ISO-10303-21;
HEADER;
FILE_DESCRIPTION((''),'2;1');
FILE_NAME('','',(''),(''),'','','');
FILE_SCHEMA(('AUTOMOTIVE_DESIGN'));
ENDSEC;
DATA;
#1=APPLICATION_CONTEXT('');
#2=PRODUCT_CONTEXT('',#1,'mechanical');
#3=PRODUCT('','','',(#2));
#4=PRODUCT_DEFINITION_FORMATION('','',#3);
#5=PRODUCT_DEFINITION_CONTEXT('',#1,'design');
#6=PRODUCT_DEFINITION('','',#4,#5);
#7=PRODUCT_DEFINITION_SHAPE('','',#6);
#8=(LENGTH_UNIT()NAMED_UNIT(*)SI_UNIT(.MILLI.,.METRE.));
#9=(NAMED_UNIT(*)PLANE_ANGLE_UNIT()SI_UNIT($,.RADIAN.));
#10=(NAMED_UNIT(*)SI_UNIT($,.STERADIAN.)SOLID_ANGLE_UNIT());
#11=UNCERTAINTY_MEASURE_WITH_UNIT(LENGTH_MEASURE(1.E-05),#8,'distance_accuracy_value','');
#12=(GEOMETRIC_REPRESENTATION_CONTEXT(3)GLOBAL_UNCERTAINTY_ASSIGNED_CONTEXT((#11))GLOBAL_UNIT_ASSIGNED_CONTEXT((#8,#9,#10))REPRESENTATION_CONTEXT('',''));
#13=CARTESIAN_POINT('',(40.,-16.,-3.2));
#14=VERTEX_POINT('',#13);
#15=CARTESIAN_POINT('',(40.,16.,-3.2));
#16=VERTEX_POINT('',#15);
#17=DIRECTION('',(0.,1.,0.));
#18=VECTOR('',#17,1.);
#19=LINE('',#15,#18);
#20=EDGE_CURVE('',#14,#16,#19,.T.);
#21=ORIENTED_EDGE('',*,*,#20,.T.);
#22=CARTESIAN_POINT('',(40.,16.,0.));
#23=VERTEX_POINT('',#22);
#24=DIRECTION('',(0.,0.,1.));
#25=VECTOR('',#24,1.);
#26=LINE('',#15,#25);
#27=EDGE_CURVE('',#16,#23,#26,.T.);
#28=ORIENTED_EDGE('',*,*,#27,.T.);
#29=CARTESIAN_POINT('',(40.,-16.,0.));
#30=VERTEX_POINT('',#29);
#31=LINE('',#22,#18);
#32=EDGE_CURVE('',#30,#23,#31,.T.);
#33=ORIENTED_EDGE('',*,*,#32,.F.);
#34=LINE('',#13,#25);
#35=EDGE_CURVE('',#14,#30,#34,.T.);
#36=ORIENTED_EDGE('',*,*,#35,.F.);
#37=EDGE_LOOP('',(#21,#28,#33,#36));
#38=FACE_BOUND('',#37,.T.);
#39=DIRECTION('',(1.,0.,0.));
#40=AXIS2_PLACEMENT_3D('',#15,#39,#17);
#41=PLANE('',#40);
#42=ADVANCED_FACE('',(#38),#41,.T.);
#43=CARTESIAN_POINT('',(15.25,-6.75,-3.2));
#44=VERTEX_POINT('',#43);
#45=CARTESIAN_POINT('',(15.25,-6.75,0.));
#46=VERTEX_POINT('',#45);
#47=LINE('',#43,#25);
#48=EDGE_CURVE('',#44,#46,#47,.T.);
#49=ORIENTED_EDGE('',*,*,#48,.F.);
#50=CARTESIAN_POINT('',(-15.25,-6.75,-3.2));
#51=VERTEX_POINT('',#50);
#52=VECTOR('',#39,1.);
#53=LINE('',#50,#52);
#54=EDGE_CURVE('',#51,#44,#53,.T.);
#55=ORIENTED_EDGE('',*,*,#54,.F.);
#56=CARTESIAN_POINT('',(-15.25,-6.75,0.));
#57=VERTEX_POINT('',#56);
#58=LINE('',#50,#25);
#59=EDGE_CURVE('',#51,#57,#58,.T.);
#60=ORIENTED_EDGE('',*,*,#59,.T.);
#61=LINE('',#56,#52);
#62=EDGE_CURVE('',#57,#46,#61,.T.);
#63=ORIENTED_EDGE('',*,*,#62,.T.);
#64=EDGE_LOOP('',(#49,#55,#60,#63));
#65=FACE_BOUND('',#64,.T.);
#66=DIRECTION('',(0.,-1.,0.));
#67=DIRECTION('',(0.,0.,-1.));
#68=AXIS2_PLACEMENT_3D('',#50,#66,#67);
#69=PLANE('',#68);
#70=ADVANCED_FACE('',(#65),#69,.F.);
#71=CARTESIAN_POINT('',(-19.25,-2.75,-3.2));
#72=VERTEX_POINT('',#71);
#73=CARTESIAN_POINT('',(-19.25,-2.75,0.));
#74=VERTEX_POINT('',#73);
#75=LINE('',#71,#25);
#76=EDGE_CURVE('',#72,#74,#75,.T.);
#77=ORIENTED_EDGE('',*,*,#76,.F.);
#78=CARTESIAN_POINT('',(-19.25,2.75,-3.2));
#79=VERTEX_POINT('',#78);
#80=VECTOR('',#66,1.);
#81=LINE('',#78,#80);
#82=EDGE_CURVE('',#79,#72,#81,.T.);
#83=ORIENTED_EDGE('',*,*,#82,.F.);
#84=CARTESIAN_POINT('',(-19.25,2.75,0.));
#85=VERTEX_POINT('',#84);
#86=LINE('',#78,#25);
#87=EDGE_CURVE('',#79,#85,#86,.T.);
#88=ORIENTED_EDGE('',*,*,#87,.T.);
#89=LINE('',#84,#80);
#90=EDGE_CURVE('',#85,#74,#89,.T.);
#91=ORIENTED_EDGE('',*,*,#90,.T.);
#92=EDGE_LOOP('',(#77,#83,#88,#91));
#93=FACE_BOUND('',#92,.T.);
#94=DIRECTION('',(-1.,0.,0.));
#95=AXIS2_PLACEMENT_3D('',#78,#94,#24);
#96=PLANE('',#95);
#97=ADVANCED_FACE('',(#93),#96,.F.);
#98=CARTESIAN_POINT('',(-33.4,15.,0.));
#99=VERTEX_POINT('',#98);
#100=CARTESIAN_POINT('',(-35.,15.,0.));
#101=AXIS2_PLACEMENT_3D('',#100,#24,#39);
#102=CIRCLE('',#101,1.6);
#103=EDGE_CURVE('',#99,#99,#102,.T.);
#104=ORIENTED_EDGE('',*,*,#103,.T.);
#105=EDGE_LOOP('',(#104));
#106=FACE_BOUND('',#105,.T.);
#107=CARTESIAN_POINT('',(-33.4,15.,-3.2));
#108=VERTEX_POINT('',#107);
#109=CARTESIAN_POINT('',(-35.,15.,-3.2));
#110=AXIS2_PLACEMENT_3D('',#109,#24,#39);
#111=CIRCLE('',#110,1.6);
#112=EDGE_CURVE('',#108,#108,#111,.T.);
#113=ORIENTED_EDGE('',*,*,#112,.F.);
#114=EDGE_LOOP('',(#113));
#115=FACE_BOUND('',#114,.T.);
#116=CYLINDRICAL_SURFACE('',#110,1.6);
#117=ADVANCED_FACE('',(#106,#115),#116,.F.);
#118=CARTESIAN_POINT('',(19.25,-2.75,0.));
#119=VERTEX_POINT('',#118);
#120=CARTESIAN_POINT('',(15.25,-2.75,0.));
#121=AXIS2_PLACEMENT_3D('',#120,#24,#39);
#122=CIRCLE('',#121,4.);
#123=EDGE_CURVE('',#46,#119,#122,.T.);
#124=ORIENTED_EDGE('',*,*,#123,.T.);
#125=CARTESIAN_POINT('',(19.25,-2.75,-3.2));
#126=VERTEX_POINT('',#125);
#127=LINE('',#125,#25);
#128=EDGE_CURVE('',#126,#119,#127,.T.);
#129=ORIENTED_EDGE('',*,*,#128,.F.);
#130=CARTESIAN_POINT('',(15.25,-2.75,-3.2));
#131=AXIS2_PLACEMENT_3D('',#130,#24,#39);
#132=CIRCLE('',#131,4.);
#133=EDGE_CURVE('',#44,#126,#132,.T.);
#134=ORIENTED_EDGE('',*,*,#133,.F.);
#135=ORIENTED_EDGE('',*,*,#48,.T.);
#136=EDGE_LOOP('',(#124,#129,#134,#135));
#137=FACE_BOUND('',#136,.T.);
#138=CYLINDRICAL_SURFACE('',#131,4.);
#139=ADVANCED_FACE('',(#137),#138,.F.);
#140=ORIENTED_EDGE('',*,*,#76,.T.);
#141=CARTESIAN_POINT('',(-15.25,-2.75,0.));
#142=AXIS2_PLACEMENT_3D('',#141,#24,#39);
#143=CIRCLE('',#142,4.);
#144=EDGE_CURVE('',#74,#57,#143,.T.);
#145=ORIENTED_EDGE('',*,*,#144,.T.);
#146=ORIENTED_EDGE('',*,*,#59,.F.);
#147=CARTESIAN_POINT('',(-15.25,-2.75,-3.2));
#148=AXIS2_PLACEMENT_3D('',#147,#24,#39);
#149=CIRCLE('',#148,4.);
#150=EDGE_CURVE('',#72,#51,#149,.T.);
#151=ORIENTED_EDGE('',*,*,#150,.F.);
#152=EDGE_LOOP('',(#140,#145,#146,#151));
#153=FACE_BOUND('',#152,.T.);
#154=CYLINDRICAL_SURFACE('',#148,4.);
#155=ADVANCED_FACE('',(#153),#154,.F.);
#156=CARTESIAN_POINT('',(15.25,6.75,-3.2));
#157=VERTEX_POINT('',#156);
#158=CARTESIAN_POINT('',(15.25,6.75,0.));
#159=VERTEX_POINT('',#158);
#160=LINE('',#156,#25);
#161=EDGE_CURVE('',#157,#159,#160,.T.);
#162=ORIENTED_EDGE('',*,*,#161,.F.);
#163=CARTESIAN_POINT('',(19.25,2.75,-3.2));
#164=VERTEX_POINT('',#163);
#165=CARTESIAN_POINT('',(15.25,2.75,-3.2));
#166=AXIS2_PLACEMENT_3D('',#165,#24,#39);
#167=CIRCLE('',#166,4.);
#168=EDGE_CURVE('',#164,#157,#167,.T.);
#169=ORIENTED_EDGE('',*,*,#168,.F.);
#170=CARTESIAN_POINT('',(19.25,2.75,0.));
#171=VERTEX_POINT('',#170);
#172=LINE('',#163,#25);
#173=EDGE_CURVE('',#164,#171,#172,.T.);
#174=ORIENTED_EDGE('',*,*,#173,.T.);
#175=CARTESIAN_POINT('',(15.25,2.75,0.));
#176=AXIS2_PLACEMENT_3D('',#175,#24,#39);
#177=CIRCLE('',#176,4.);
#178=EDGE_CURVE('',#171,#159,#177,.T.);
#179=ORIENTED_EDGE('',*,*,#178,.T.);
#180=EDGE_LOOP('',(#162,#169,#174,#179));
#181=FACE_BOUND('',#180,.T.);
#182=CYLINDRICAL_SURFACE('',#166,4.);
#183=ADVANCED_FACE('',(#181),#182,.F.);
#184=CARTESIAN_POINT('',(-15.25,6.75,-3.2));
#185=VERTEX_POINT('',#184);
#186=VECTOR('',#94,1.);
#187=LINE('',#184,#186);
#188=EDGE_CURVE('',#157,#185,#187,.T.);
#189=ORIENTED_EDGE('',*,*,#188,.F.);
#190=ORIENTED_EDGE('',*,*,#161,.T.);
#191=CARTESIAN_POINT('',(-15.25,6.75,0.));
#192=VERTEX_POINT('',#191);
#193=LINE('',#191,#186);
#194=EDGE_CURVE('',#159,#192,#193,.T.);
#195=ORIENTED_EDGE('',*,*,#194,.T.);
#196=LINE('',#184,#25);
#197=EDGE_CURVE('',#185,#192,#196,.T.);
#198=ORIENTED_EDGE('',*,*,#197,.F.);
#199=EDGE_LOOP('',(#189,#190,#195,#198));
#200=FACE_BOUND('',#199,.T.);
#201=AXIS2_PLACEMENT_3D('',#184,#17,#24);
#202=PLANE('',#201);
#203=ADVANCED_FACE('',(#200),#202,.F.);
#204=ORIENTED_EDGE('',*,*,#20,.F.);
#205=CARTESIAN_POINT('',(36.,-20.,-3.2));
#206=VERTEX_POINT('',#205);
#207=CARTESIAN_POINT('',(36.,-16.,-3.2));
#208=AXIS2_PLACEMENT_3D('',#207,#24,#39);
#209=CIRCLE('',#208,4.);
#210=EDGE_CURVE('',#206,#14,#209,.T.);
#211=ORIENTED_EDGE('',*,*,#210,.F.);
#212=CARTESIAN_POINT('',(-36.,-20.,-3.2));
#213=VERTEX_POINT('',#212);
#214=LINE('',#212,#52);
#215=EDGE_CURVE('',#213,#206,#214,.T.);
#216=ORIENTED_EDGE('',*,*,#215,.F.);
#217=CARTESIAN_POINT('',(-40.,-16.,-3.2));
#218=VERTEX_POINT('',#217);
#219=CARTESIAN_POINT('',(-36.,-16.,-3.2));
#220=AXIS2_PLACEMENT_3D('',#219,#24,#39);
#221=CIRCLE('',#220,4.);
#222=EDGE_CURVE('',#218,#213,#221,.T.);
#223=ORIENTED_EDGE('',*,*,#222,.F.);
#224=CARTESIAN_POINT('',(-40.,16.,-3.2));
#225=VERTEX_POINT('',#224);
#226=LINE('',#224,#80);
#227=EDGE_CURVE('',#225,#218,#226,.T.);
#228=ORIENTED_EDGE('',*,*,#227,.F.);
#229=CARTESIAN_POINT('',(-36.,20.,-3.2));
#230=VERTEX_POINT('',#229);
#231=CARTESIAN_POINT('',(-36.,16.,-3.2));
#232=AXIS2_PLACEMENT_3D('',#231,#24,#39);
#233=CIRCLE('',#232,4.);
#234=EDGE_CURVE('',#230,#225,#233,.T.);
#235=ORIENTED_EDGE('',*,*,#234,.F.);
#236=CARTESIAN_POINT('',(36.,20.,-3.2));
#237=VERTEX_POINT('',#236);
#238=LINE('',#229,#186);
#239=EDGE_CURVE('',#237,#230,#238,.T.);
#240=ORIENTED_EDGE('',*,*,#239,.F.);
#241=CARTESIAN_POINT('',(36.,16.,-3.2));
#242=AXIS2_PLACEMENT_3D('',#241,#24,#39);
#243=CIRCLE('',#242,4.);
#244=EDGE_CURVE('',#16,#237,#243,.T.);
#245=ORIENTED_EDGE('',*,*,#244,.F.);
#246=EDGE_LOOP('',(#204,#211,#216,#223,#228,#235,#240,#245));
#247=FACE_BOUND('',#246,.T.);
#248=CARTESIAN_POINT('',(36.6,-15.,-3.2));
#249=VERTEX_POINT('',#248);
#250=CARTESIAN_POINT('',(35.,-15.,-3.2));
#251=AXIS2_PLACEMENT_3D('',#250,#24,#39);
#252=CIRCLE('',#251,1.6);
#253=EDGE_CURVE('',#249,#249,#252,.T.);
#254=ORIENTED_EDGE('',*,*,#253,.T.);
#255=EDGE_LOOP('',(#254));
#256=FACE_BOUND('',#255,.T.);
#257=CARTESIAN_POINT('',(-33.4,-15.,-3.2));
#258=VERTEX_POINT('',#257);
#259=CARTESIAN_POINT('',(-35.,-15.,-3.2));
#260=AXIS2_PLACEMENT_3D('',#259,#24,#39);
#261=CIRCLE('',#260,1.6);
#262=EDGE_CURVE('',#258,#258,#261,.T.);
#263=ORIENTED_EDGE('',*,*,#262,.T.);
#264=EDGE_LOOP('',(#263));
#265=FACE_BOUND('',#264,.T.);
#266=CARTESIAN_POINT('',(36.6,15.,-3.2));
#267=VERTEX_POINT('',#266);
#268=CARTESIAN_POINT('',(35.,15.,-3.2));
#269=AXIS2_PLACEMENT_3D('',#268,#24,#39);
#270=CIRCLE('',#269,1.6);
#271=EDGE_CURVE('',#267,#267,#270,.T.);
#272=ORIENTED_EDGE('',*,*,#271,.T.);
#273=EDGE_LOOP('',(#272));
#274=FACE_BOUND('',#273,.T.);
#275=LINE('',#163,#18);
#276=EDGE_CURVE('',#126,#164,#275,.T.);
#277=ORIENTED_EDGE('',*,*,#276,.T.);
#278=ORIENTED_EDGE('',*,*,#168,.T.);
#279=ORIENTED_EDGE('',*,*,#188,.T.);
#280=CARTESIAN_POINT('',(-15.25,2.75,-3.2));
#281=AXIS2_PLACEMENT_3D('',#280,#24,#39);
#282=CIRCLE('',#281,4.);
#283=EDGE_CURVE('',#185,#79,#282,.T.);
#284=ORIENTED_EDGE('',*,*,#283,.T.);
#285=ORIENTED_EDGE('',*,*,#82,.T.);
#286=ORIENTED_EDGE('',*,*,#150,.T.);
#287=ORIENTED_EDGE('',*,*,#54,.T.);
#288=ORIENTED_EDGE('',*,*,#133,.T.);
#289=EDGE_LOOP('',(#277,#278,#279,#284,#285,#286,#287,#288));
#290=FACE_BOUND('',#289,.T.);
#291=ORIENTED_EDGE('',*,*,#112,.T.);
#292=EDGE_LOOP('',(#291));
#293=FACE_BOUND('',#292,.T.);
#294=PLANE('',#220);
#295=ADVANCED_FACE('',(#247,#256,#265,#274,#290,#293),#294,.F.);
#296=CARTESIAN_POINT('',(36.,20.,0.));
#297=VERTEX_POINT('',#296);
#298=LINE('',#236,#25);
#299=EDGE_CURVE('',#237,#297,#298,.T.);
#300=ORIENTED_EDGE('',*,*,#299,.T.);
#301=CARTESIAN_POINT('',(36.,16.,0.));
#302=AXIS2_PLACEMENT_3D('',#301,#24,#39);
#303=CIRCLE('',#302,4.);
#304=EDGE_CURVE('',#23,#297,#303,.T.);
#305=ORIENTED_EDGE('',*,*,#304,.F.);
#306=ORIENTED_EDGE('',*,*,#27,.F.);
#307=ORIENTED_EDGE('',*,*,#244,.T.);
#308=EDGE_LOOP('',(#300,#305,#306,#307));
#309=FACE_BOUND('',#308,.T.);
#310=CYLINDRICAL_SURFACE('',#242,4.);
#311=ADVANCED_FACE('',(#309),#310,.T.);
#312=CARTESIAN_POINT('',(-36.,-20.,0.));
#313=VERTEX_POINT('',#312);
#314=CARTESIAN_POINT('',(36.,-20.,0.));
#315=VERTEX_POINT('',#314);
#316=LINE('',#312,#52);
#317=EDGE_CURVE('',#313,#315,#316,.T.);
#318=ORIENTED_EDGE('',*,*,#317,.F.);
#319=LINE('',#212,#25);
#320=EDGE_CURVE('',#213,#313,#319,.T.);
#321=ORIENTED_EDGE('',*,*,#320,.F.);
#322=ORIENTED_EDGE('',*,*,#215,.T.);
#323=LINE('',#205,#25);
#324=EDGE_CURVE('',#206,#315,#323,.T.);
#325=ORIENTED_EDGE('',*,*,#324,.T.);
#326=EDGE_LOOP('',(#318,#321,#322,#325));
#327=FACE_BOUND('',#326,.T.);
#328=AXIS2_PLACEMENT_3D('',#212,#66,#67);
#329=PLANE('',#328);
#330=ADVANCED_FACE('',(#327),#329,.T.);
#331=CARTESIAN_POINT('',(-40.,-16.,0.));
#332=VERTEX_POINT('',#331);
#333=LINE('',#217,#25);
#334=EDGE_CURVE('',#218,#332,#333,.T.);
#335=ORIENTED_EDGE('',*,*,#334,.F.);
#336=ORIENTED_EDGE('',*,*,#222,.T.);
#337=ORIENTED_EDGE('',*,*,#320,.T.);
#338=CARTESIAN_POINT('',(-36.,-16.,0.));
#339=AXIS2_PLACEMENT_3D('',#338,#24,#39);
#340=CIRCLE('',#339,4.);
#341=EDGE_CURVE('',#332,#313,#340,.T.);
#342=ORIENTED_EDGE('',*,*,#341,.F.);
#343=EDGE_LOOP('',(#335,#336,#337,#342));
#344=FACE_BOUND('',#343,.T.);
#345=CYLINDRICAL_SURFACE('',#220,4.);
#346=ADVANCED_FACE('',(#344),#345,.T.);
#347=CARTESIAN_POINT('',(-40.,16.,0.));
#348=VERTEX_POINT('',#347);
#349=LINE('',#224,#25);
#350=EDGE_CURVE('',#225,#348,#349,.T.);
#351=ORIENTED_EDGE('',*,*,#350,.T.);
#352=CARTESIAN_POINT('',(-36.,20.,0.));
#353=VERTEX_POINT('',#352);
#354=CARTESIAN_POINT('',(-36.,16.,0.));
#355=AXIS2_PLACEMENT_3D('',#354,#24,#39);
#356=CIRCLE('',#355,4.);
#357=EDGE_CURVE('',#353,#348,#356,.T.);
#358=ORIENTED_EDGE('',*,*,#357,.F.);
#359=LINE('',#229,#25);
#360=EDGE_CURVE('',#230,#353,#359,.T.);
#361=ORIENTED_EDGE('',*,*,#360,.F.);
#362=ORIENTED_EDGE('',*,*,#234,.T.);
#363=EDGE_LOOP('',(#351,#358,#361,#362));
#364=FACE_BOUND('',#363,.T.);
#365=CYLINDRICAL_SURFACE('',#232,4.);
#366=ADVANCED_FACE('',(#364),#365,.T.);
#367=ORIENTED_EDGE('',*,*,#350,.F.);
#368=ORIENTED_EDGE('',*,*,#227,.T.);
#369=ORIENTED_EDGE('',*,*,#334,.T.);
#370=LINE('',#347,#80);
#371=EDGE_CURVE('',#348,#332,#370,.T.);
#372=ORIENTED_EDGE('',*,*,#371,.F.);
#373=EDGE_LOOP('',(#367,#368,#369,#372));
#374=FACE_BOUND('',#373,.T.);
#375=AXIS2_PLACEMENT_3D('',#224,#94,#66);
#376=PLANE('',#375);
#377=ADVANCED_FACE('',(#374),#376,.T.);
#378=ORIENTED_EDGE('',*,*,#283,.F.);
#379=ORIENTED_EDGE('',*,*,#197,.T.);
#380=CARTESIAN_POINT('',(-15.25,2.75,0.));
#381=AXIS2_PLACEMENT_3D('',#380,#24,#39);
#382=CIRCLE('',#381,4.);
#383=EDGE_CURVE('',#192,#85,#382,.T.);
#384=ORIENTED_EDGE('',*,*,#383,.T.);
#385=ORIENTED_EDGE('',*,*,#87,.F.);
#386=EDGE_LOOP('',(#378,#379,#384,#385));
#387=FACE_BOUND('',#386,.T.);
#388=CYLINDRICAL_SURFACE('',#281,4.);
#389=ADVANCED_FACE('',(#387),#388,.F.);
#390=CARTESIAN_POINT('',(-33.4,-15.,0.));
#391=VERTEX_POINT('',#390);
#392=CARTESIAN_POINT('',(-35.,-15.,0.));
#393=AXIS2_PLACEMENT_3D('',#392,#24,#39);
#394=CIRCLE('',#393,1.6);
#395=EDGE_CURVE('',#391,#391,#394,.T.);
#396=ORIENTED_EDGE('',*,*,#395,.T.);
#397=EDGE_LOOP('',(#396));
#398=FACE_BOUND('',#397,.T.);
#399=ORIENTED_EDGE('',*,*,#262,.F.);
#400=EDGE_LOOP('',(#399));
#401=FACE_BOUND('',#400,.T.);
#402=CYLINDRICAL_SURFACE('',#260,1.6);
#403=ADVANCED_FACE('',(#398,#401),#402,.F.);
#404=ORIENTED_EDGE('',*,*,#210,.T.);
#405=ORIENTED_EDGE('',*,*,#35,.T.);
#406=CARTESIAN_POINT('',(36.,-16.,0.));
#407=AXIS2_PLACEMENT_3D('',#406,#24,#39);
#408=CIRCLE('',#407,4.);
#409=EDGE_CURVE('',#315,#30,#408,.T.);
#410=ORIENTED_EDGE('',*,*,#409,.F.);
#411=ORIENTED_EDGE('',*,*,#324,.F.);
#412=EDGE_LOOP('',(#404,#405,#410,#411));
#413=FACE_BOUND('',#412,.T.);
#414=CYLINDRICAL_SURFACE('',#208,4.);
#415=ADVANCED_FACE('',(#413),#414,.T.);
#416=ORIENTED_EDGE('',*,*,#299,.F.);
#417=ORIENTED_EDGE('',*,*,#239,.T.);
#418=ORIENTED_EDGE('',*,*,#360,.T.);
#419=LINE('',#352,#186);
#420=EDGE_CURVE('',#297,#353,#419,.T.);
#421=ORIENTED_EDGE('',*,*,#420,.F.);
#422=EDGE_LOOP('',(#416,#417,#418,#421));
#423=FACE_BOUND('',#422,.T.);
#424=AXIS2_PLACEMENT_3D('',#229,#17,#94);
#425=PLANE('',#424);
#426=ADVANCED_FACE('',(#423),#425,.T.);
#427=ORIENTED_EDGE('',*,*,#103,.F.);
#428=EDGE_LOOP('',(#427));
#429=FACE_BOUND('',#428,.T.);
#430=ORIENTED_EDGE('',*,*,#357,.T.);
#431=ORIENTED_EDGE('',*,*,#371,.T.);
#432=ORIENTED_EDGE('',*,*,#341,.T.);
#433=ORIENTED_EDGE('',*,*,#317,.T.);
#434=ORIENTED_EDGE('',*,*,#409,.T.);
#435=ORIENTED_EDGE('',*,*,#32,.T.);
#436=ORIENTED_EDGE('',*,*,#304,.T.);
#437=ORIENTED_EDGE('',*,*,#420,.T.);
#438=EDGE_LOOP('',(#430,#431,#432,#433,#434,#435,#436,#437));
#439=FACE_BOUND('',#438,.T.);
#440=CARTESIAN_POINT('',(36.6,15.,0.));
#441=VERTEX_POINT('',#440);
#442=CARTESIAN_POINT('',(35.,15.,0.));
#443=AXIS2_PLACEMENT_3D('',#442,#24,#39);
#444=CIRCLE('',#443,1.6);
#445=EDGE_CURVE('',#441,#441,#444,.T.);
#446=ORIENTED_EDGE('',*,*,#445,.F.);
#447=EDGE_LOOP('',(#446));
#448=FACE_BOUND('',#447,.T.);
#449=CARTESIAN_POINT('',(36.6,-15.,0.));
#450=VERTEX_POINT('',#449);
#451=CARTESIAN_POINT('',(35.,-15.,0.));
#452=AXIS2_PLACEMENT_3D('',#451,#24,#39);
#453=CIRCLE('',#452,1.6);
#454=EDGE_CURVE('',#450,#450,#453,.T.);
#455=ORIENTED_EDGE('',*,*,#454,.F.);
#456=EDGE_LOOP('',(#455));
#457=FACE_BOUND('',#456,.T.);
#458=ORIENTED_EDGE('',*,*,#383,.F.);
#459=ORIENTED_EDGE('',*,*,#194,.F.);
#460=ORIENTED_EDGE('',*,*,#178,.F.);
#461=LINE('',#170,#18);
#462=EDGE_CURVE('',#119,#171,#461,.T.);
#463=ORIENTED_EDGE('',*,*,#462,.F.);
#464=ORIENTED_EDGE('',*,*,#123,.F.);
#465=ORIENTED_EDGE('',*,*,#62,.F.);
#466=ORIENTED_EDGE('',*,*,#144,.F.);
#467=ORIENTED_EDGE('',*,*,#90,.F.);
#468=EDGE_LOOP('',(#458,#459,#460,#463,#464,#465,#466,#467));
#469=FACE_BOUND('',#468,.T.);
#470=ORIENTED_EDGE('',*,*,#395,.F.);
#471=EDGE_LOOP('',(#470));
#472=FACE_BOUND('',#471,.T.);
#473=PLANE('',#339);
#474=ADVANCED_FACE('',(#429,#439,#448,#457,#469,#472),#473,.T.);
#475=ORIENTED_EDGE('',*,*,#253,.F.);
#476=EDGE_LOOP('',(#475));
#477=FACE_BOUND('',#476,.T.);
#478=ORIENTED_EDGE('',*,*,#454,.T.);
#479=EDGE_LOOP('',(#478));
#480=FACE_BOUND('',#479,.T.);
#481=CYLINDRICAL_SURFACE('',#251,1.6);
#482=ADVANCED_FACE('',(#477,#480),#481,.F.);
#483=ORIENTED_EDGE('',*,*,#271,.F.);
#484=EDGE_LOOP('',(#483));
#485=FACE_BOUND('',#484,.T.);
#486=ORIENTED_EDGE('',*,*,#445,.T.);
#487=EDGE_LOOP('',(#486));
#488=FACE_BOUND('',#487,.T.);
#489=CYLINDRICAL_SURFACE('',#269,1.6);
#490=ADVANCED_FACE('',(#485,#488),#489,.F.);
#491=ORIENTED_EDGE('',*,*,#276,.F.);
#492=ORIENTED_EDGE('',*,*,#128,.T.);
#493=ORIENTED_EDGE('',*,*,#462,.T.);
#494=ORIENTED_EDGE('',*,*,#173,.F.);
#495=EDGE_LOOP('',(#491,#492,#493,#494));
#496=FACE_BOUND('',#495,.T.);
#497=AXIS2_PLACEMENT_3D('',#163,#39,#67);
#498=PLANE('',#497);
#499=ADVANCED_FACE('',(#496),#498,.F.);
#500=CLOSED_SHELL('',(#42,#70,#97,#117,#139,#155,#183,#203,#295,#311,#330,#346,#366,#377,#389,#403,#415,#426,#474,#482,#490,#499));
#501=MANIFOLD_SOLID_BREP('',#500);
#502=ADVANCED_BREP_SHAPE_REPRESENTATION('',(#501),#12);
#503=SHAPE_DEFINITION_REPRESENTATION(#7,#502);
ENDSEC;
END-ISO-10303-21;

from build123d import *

# Parameters (mm, degrees)
EXTRUDE_1_DEPTH     = 3.2
CUT_EXTRUDE_1_DEPTH = 3.2
SKETCH_3_R          = 1.6
CUT_EXTRUDE_2_DEPTH = 3.2


with BuildPart() as part:
    # 草图1 → 凸台-拉伸1 (new body)
    with BuildSketch(Plane.XY):
        with BuildLine():
            Line((-36, -20), (36, -20))
            ThreePointArc((36, -20), (38.828427125, -18.828427125), (40, -16))
            Line((40, -16), (40, 16))
            ThreePointArc((40, 16), (38.828427125, 18.828427125), (36, 20))
            Line((36, 20), (-36, 20))
            ThreePointArc((-36, 20), (-38.828427125, 18.828427125), (-40, 16))
            Line((-40, 16), (-40, -16))
            ThreePointArc((-40, -16), (-38.828427125, -18.828427125), (-36, -20))
        make_face()
    extrude(amount=-EXTRUDE_1_DEPTH)

    # 草图2 → 切除-拉伸1 (cut)
    with BuildSketch(Plane.XY):
        with BuildLine():
            Line((-15.25, -6.75), (15.25, -6.75))
            ThreePointArc((15.25, -6.75), (18.078427125, -5.578427125), (19.25, -2.75))
            Line((19.25, -2.75), (19.25, 2.75))
            ThreePointArc((19.25, 2.75), (18.078427125, 5.578427125), (15.25, 6.75))
            Line((15.25, 6.75), (-15.25, 6.75))
            ThreePointArc((-15.25, 6.75), (-18.078427125, 5.578427125), (-19.25, 2.75))
            Line((-19.25, 2.75), (-19.25, -2.75))
            ThreePointArc((-19.25, -2.75), (-18.078427125, -5.578427125), (-15.25, -6.75))
        make_face()
    extrude(amount=-CUT_EXTRUDE_1_DEPTH, mode=Mode.SUBTRACT)

    # 草图3 → 切除-拉伸2 (cut)
    with BuildSketch(Plane.XY):
        with Locations((-35, 15)):
            Circle(SKETCH_3_R)
        with Locations((35, 15)):
            Circle(SKETCH_3_R)
        with Locations((35, -15)):
            Circle(SKETCH_3_R)
        with Locations((-35, -15)):
            Circle(SKETCH_3_R)
    extrude(amount=-CUT_EXTRUDE_2_DEPTH, mode=Mode.SUBTRACT)


solid = part.part
